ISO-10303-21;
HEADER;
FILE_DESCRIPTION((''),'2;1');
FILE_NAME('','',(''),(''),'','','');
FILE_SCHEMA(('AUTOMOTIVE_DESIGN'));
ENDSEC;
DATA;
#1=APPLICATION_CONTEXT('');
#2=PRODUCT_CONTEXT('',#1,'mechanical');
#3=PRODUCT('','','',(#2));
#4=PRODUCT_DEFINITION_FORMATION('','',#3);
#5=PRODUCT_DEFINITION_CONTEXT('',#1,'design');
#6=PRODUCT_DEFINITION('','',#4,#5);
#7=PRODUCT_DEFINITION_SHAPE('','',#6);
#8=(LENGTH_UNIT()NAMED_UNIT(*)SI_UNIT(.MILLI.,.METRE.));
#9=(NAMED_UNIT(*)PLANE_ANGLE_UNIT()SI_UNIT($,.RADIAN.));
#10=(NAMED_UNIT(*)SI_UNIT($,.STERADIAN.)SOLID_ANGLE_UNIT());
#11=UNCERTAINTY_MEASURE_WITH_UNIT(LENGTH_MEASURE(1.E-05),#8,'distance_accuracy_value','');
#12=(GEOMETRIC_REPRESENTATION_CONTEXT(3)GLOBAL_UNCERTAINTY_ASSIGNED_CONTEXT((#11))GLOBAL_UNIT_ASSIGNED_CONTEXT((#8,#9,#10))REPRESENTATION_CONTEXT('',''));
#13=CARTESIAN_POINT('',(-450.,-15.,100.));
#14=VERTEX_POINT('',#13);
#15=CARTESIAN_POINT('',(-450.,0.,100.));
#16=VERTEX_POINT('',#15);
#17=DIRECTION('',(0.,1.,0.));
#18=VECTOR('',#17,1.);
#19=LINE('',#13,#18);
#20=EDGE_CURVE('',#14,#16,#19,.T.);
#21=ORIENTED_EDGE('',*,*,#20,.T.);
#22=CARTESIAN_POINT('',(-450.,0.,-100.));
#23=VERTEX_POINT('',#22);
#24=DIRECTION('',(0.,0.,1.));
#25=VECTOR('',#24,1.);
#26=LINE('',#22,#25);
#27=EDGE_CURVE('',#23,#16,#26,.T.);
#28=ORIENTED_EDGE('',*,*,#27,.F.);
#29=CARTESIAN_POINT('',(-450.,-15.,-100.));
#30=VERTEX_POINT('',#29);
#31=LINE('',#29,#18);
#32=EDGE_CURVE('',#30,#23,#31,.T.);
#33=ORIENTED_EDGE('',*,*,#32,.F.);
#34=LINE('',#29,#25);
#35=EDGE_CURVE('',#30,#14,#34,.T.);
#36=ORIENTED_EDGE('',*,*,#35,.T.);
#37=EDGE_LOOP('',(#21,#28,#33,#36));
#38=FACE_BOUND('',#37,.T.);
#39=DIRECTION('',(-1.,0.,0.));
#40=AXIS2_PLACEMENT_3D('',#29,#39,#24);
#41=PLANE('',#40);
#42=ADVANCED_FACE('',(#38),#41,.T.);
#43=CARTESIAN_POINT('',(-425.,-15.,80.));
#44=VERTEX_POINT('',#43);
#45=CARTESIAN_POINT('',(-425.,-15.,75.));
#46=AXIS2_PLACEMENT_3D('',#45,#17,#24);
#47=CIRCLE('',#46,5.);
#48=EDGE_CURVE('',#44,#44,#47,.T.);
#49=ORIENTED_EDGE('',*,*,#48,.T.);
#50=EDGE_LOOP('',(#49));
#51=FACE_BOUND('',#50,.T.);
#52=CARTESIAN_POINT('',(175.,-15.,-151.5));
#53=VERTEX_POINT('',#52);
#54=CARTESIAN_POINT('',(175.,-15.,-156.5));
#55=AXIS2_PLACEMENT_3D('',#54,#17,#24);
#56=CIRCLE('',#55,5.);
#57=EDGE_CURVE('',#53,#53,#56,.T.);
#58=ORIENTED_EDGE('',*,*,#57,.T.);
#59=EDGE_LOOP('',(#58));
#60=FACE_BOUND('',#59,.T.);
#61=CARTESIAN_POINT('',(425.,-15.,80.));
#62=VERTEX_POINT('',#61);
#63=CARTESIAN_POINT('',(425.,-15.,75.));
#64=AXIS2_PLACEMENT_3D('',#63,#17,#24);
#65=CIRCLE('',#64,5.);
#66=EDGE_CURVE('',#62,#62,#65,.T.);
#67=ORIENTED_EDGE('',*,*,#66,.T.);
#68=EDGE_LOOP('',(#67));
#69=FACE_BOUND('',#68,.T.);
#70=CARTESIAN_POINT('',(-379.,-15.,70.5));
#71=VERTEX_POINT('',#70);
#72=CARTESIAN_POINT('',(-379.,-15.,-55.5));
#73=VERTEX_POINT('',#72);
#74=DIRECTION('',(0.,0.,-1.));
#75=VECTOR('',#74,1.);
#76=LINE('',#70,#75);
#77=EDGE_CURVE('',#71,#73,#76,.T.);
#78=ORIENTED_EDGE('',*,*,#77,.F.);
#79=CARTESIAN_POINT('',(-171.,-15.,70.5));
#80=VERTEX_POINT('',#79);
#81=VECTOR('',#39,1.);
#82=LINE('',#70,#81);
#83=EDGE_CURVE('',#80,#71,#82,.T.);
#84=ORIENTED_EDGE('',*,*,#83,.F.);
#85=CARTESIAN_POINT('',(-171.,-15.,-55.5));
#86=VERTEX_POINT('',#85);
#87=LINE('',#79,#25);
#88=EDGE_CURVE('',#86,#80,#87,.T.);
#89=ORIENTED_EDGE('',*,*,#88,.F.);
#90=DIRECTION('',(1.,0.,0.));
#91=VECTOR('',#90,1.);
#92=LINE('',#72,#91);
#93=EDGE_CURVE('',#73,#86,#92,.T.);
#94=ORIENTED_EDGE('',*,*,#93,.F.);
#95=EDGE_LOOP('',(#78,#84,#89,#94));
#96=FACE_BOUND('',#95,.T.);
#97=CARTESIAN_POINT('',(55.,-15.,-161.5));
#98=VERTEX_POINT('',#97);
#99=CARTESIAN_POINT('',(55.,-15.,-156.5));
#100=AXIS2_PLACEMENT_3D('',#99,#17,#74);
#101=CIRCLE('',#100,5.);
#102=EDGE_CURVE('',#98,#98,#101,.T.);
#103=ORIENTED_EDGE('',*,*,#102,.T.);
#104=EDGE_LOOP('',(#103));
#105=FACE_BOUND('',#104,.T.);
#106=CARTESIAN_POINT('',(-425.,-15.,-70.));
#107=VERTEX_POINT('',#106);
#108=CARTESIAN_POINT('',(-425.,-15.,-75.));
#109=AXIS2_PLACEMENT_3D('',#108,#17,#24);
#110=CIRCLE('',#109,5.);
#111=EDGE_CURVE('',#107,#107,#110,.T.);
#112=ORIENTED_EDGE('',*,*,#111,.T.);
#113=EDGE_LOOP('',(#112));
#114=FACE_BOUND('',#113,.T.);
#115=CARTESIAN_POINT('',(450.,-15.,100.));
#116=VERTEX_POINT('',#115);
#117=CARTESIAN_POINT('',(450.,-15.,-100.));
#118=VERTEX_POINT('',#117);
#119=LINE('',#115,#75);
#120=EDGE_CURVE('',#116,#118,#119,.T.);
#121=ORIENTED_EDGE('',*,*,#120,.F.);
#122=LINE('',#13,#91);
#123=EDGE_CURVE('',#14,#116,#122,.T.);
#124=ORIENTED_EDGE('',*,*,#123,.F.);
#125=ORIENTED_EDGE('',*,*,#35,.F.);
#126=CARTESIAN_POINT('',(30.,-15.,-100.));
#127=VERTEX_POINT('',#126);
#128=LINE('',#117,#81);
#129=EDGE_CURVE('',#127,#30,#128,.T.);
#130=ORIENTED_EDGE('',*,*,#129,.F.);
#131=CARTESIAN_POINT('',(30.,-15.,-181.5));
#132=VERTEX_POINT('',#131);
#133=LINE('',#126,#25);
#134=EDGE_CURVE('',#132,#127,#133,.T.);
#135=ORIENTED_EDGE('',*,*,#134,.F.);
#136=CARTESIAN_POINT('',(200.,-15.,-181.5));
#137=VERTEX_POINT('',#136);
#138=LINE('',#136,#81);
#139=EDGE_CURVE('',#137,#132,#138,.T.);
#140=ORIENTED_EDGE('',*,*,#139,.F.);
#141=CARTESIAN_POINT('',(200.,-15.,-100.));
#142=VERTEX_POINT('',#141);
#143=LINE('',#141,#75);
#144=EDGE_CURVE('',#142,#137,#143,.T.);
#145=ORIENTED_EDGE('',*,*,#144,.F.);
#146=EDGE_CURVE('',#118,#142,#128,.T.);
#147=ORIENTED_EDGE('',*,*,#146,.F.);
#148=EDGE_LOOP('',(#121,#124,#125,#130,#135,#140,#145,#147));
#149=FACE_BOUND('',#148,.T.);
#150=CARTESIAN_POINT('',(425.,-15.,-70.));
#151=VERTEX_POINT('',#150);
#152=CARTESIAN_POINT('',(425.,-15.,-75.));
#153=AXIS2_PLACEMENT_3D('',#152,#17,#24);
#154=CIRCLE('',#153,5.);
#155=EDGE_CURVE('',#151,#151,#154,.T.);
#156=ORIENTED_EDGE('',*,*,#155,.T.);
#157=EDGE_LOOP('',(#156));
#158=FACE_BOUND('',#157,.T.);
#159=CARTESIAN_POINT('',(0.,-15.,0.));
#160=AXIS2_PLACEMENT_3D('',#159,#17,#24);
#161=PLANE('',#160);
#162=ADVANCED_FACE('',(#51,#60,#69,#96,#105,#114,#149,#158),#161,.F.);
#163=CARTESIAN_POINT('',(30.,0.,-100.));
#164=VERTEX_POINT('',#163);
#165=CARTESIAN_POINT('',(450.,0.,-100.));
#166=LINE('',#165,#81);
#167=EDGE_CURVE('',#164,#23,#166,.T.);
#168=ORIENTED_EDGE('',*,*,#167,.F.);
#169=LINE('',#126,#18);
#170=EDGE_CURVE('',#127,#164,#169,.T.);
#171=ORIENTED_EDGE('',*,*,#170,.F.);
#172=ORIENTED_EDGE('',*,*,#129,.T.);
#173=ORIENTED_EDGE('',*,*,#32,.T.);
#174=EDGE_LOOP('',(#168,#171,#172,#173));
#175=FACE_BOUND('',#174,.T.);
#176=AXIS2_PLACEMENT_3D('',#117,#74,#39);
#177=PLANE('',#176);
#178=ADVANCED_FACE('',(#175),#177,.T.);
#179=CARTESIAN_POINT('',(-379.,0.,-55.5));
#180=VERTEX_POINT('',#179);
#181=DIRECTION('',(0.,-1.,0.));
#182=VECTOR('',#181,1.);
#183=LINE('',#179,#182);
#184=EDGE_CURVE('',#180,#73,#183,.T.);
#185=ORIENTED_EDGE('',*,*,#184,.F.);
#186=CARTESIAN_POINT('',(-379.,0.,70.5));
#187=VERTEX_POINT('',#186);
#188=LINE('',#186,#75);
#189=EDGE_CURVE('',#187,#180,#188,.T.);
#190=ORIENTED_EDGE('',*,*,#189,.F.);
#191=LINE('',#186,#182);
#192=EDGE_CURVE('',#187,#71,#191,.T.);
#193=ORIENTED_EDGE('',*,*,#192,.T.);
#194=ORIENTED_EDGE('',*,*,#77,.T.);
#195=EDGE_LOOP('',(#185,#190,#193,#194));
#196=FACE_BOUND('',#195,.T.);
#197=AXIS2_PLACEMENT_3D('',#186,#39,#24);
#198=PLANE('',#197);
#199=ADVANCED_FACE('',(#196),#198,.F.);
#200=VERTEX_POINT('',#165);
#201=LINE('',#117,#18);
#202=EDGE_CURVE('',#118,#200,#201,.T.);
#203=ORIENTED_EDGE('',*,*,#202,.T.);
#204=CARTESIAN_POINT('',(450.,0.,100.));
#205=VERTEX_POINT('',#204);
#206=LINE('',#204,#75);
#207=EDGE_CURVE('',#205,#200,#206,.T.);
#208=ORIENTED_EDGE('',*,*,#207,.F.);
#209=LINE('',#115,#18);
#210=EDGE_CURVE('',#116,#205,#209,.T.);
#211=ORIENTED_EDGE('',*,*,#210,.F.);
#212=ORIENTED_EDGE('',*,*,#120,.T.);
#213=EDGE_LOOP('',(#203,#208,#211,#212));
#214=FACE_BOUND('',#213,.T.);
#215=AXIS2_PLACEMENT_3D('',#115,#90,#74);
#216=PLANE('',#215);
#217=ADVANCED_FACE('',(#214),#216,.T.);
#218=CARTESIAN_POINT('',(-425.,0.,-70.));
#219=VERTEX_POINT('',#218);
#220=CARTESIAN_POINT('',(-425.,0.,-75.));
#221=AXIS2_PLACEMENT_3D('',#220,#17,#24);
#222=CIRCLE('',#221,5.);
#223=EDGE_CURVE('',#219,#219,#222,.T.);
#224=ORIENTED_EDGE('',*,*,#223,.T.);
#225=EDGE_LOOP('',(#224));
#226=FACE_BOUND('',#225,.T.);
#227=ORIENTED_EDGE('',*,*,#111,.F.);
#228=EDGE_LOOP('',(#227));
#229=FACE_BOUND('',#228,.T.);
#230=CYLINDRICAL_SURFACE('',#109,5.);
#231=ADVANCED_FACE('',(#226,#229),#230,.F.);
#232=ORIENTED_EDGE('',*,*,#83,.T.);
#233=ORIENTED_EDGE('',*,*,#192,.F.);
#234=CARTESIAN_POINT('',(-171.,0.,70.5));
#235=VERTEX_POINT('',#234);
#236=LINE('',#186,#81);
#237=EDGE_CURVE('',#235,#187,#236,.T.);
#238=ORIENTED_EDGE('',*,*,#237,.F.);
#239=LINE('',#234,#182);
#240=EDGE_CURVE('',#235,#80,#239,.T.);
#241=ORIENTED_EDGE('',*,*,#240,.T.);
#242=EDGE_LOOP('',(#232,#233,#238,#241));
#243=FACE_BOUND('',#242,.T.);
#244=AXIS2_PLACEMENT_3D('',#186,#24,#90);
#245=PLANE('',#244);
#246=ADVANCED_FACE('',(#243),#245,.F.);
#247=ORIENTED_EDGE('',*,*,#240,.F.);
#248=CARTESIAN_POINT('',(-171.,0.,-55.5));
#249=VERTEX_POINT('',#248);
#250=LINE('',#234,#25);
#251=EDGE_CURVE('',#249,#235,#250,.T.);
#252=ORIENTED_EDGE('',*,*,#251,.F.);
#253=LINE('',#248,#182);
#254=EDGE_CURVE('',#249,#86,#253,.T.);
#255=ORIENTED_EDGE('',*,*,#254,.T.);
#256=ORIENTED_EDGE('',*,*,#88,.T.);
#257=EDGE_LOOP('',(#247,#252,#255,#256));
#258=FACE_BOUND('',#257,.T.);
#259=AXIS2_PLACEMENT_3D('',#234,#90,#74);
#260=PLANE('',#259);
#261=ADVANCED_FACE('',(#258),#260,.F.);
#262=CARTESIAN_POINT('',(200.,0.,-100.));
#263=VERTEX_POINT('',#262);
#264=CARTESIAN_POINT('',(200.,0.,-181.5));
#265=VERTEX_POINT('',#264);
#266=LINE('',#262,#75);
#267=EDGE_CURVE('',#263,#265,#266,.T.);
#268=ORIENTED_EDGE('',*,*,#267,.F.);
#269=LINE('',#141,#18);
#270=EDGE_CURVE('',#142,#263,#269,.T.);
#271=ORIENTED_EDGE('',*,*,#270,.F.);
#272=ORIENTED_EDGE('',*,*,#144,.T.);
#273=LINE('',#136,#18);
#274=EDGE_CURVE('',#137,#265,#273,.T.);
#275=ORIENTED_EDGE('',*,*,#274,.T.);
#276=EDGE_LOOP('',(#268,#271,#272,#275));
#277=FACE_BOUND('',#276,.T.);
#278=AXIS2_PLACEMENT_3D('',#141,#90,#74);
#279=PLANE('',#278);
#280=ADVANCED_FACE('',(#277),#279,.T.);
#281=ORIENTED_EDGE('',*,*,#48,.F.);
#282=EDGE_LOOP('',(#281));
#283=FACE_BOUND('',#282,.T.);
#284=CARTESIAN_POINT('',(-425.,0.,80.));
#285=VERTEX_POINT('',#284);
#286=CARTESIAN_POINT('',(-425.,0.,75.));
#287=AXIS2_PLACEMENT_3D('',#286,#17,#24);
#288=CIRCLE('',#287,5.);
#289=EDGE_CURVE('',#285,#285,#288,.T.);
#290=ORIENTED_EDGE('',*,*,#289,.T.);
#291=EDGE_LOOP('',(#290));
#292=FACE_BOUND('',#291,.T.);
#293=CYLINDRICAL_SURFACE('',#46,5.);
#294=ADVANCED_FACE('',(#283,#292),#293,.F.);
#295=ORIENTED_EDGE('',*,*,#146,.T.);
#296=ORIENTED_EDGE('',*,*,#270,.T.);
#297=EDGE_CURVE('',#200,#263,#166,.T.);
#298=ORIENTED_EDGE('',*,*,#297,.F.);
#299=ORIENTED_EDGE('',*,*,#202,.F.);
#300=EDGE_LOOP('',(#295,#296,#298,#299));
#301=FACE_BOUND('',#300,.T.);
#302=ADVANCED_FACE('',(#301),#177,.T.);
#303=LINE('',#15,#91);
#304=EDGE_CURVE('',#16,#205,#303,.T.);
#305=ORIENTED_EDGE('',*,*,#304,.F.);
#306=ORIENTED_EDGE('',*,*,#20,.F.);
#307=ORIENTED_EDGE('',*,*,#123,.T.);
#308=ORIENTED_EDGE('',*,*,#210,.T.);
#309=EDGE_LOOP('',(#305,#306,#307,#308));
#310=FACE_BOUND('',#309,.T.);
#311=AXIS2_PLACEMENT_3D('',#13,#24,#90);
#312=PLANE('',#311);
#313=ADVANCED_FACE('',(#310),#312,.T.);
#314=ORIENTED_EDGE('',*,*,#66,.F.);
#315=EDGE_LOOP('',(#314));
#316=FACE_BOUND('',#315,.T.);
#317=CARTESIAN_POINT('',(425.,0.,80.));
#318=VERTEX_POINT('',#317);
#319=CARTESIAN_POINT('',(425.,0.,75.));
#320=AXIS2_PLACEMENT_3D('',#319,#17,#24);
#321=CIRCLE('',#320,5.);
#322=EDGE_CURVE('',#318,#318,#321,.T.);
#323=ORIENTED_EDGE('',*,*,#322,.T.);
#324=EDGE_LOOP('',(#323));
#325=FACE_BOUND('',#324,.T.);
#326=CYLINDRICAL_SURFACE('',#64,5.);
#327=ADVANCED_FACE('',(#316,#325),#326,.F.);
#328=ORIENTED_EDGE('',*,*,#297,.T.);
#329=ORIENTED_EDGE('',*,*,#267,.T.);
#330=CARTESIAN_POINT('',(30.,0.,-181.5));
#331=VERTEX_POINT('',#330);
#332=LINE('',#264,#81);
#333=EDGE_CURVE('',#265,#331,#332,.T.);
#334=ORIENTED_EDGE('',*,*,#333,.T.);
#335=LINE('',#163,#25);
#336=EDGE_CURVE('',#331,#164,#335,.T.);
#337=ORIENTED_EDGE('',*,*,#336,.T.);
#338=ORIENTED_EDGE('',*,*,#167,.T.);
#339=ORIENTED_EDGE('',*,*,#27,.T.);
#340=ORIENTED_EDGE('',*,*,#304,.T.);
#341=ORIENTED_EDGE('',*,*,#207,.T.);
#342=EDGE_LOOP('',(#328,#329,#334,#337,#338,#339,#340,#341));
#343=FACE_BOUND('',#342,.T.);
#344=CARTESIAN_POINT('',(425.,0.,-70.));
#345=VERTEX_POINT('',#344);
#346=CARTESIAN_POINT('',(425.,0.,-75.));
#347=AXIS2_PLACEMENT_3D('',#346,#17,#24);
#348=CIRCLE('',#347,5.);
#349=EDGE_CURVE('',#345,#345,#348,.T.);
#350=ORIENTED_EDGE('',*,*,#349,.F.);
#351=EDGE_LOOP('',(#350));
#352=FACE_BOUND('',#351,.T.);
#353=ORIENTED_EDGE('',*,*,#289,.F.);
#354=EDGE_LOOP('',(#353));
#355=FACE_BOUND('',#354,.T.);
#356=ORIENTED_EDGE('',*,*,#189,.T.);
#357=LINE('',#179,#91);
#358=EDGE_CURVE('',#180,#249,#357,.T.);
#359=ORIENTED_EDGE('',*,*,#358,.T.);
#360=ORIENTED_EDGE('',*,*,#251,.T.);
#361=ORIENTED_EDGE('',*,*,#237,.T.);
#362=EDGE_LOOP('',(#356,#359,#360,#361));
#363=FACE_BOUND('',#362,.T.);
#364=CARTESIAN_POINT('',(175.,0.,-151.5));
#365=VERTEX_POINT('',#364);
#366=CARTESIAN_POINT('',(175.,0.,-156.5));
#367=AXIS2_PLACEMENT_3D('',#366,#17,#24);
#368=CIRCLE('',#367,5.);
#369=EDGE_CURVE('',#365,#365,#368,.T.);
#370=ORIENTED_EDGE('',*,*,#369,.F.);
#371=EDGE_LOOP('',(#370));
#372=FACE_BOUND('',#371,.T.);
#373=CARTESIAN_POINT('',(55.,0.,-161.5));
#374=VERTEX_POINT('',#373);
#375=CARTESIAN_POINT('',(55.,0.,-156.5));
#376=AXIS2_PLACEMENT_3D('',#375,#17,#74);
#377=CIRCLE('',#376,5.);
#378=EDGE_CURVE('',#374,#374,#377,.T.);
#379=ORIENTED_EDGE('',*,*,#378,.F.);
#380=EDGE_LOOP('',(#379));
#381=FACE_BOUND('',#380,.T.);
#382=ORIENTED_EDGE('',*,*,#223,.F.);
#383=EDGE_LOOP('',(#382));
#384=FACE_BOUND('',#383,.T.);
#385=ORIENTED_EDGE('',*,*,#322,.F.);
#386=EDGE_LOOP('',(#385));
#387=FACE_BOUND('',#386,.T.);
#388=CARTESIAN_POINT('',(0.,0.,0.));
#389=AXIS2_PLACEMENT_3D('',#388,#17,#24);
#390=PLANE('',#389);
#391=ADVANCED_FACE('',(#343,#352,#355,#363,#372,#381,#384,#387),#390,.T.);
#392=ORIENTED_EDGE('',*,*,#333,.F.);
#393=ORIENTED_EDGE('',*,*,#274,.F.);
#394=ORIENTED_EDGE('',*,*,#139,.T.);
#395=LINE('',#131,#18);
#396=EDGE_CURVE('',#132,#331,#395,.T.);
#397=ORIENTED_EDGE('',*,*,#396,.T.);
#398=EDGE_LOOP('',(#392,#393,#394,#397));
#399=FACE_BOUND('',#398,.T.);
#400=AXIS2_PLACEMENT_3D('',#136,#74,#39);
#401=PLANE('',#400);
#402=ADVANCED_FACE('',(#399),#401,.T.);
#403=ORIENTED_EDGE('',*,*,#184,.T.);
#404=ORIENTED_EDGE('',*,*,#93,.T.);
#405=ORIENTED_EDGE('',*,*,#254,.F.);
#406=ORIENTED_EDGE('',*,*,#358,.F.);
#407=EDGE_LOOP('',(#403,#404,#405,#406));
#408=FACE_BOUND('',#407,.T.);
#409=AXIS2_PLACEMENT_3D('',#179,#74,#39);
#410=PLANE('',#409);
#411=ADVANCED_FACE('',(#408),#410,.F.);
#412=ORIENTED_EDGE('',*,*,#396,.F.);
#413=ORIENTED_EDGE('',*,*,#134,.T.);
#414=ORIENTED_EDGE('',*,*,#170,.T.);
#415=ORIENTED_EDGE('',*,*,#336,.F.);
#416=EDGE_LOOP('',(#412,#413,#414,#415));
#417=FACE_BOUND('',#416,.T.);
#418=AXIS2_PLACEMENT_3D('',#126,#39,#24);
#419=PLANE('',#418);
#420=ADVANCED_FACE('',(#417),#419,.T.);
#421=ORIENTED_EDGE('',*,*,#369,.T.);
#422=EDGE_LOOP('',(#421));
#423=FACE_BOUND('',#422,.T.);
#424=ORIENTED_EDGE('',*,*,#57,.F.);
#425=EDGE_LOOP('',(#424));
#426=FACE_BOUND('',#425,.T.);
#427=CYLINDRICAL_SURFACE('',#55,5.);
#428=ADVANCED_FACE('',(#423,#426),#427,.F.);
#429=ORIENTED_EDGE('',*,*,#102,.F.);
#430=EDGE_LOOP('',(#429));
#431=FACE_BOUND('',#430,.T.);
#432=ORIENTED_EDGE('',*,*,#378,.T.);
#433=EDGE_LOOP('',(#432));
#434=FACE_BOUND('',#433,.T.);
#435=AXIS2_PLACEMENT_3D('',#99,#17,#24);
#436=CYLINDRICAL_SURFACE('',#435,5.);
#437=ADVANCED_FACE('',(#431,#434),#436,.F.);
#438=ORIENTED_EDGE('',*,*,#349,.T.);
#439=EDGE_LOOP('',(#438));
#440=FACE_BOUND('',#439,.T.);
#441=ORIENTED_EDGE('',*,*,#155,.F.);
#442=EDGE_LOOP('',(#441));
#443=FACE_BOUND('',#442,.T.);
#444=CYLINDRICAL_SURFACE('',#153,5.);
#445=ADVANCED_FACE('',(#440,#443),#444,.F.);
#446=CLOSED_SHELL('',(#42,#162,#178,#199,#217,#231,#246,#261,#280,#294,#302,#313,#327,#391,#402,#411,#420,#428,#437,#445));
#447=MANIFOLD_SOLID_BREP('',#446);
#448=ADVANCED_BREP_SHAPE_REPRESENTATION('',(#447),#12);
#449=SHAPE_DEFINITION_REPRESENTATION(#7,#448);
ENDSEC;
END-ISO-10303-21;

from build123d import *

# Parameters (mm, degrees)
SKETCH1_W              = 900
SKETCH1_H              = 200
SKETCH1_R              = 5
BOSS_EXTRUDE1_DEPTH    = 15
SKETCH2_W              = 208
SKETCH2_H              = 126
SHREDDER_OPENING_DEPTH = 462.221205063
SKETCH3_W              = 170
SKETCH3_H              = 81.5
SKETCH3_R              = 5
LEGS_ADD_ON_DEPTH      = 15


with BuildPart() as part:
    # Sketch1 → Boss-Extrude1 (new body)
    with BuildSketch(Plane(origin=(0, 0, 0), x_dir=(1, 0, 0), z_dir=(0, 1, 0))):
        Rectangle(SKETCH1_W, SKETCH1_H)
        with Locations(Location((425, -75, 0), (0, 0, 270))):
            Circle(SKETCH1_R, mode=Mode.SUBTRACT)
        with Locations(Location((425, 75, 0), (0, 0, 270))):
            Circle(SKETCH1_R, mode=Mode.SUBTRACT)
        with Locations(Location((-425, -75, 0), (0, 0, 270))):
            Circle(SKETCH1_R, mode=Mode.SUBTRACT)
        with Locations(Location((-425, 75, 0), (0, 0, 270))):
            Circle(SKETCH1_R, mode=Mode.SUBTRACT)
    extrude(amount=-BOSS_EXTRUDE1_DEPTH)

    # Sketch2 → Shredder Opening (cut, through all)
    with BuildSketch(Plane.XZ.offset(15)):
        with Locations((-275, 7.5)):
            Rectangle(SKETCH2_W, SKETCH2_H)
    extrude(amount=-SHREDDER_OPENING_DEPTH, mode=Mode.SUBTRACT)

    # Sketch3 → Legs add on (add, through all)
    with BuildSketch(Plane(origin=(0, 0, 0), x_dir=(1, 0, 0), z_dir=(0, 1, 0))):
        with Locations((115, 140.75)):
            Rectangle(SKETCH3_W, SKETCH3_H)
        with Locations(Location((175, 156.5, 0), (0, 0, 270))):
            Circle(SKETCH3_R, mode=Mode.SUBTRACT)
        with Locations(Location((55, 156.5, 0), (0, 0, 90))):
            Circle(SKETCH3_R, mode=Mode.SUBTRACT)
    extrude(amount=-LEGS_ADD_ON_DEPTH)


solid = part.part
